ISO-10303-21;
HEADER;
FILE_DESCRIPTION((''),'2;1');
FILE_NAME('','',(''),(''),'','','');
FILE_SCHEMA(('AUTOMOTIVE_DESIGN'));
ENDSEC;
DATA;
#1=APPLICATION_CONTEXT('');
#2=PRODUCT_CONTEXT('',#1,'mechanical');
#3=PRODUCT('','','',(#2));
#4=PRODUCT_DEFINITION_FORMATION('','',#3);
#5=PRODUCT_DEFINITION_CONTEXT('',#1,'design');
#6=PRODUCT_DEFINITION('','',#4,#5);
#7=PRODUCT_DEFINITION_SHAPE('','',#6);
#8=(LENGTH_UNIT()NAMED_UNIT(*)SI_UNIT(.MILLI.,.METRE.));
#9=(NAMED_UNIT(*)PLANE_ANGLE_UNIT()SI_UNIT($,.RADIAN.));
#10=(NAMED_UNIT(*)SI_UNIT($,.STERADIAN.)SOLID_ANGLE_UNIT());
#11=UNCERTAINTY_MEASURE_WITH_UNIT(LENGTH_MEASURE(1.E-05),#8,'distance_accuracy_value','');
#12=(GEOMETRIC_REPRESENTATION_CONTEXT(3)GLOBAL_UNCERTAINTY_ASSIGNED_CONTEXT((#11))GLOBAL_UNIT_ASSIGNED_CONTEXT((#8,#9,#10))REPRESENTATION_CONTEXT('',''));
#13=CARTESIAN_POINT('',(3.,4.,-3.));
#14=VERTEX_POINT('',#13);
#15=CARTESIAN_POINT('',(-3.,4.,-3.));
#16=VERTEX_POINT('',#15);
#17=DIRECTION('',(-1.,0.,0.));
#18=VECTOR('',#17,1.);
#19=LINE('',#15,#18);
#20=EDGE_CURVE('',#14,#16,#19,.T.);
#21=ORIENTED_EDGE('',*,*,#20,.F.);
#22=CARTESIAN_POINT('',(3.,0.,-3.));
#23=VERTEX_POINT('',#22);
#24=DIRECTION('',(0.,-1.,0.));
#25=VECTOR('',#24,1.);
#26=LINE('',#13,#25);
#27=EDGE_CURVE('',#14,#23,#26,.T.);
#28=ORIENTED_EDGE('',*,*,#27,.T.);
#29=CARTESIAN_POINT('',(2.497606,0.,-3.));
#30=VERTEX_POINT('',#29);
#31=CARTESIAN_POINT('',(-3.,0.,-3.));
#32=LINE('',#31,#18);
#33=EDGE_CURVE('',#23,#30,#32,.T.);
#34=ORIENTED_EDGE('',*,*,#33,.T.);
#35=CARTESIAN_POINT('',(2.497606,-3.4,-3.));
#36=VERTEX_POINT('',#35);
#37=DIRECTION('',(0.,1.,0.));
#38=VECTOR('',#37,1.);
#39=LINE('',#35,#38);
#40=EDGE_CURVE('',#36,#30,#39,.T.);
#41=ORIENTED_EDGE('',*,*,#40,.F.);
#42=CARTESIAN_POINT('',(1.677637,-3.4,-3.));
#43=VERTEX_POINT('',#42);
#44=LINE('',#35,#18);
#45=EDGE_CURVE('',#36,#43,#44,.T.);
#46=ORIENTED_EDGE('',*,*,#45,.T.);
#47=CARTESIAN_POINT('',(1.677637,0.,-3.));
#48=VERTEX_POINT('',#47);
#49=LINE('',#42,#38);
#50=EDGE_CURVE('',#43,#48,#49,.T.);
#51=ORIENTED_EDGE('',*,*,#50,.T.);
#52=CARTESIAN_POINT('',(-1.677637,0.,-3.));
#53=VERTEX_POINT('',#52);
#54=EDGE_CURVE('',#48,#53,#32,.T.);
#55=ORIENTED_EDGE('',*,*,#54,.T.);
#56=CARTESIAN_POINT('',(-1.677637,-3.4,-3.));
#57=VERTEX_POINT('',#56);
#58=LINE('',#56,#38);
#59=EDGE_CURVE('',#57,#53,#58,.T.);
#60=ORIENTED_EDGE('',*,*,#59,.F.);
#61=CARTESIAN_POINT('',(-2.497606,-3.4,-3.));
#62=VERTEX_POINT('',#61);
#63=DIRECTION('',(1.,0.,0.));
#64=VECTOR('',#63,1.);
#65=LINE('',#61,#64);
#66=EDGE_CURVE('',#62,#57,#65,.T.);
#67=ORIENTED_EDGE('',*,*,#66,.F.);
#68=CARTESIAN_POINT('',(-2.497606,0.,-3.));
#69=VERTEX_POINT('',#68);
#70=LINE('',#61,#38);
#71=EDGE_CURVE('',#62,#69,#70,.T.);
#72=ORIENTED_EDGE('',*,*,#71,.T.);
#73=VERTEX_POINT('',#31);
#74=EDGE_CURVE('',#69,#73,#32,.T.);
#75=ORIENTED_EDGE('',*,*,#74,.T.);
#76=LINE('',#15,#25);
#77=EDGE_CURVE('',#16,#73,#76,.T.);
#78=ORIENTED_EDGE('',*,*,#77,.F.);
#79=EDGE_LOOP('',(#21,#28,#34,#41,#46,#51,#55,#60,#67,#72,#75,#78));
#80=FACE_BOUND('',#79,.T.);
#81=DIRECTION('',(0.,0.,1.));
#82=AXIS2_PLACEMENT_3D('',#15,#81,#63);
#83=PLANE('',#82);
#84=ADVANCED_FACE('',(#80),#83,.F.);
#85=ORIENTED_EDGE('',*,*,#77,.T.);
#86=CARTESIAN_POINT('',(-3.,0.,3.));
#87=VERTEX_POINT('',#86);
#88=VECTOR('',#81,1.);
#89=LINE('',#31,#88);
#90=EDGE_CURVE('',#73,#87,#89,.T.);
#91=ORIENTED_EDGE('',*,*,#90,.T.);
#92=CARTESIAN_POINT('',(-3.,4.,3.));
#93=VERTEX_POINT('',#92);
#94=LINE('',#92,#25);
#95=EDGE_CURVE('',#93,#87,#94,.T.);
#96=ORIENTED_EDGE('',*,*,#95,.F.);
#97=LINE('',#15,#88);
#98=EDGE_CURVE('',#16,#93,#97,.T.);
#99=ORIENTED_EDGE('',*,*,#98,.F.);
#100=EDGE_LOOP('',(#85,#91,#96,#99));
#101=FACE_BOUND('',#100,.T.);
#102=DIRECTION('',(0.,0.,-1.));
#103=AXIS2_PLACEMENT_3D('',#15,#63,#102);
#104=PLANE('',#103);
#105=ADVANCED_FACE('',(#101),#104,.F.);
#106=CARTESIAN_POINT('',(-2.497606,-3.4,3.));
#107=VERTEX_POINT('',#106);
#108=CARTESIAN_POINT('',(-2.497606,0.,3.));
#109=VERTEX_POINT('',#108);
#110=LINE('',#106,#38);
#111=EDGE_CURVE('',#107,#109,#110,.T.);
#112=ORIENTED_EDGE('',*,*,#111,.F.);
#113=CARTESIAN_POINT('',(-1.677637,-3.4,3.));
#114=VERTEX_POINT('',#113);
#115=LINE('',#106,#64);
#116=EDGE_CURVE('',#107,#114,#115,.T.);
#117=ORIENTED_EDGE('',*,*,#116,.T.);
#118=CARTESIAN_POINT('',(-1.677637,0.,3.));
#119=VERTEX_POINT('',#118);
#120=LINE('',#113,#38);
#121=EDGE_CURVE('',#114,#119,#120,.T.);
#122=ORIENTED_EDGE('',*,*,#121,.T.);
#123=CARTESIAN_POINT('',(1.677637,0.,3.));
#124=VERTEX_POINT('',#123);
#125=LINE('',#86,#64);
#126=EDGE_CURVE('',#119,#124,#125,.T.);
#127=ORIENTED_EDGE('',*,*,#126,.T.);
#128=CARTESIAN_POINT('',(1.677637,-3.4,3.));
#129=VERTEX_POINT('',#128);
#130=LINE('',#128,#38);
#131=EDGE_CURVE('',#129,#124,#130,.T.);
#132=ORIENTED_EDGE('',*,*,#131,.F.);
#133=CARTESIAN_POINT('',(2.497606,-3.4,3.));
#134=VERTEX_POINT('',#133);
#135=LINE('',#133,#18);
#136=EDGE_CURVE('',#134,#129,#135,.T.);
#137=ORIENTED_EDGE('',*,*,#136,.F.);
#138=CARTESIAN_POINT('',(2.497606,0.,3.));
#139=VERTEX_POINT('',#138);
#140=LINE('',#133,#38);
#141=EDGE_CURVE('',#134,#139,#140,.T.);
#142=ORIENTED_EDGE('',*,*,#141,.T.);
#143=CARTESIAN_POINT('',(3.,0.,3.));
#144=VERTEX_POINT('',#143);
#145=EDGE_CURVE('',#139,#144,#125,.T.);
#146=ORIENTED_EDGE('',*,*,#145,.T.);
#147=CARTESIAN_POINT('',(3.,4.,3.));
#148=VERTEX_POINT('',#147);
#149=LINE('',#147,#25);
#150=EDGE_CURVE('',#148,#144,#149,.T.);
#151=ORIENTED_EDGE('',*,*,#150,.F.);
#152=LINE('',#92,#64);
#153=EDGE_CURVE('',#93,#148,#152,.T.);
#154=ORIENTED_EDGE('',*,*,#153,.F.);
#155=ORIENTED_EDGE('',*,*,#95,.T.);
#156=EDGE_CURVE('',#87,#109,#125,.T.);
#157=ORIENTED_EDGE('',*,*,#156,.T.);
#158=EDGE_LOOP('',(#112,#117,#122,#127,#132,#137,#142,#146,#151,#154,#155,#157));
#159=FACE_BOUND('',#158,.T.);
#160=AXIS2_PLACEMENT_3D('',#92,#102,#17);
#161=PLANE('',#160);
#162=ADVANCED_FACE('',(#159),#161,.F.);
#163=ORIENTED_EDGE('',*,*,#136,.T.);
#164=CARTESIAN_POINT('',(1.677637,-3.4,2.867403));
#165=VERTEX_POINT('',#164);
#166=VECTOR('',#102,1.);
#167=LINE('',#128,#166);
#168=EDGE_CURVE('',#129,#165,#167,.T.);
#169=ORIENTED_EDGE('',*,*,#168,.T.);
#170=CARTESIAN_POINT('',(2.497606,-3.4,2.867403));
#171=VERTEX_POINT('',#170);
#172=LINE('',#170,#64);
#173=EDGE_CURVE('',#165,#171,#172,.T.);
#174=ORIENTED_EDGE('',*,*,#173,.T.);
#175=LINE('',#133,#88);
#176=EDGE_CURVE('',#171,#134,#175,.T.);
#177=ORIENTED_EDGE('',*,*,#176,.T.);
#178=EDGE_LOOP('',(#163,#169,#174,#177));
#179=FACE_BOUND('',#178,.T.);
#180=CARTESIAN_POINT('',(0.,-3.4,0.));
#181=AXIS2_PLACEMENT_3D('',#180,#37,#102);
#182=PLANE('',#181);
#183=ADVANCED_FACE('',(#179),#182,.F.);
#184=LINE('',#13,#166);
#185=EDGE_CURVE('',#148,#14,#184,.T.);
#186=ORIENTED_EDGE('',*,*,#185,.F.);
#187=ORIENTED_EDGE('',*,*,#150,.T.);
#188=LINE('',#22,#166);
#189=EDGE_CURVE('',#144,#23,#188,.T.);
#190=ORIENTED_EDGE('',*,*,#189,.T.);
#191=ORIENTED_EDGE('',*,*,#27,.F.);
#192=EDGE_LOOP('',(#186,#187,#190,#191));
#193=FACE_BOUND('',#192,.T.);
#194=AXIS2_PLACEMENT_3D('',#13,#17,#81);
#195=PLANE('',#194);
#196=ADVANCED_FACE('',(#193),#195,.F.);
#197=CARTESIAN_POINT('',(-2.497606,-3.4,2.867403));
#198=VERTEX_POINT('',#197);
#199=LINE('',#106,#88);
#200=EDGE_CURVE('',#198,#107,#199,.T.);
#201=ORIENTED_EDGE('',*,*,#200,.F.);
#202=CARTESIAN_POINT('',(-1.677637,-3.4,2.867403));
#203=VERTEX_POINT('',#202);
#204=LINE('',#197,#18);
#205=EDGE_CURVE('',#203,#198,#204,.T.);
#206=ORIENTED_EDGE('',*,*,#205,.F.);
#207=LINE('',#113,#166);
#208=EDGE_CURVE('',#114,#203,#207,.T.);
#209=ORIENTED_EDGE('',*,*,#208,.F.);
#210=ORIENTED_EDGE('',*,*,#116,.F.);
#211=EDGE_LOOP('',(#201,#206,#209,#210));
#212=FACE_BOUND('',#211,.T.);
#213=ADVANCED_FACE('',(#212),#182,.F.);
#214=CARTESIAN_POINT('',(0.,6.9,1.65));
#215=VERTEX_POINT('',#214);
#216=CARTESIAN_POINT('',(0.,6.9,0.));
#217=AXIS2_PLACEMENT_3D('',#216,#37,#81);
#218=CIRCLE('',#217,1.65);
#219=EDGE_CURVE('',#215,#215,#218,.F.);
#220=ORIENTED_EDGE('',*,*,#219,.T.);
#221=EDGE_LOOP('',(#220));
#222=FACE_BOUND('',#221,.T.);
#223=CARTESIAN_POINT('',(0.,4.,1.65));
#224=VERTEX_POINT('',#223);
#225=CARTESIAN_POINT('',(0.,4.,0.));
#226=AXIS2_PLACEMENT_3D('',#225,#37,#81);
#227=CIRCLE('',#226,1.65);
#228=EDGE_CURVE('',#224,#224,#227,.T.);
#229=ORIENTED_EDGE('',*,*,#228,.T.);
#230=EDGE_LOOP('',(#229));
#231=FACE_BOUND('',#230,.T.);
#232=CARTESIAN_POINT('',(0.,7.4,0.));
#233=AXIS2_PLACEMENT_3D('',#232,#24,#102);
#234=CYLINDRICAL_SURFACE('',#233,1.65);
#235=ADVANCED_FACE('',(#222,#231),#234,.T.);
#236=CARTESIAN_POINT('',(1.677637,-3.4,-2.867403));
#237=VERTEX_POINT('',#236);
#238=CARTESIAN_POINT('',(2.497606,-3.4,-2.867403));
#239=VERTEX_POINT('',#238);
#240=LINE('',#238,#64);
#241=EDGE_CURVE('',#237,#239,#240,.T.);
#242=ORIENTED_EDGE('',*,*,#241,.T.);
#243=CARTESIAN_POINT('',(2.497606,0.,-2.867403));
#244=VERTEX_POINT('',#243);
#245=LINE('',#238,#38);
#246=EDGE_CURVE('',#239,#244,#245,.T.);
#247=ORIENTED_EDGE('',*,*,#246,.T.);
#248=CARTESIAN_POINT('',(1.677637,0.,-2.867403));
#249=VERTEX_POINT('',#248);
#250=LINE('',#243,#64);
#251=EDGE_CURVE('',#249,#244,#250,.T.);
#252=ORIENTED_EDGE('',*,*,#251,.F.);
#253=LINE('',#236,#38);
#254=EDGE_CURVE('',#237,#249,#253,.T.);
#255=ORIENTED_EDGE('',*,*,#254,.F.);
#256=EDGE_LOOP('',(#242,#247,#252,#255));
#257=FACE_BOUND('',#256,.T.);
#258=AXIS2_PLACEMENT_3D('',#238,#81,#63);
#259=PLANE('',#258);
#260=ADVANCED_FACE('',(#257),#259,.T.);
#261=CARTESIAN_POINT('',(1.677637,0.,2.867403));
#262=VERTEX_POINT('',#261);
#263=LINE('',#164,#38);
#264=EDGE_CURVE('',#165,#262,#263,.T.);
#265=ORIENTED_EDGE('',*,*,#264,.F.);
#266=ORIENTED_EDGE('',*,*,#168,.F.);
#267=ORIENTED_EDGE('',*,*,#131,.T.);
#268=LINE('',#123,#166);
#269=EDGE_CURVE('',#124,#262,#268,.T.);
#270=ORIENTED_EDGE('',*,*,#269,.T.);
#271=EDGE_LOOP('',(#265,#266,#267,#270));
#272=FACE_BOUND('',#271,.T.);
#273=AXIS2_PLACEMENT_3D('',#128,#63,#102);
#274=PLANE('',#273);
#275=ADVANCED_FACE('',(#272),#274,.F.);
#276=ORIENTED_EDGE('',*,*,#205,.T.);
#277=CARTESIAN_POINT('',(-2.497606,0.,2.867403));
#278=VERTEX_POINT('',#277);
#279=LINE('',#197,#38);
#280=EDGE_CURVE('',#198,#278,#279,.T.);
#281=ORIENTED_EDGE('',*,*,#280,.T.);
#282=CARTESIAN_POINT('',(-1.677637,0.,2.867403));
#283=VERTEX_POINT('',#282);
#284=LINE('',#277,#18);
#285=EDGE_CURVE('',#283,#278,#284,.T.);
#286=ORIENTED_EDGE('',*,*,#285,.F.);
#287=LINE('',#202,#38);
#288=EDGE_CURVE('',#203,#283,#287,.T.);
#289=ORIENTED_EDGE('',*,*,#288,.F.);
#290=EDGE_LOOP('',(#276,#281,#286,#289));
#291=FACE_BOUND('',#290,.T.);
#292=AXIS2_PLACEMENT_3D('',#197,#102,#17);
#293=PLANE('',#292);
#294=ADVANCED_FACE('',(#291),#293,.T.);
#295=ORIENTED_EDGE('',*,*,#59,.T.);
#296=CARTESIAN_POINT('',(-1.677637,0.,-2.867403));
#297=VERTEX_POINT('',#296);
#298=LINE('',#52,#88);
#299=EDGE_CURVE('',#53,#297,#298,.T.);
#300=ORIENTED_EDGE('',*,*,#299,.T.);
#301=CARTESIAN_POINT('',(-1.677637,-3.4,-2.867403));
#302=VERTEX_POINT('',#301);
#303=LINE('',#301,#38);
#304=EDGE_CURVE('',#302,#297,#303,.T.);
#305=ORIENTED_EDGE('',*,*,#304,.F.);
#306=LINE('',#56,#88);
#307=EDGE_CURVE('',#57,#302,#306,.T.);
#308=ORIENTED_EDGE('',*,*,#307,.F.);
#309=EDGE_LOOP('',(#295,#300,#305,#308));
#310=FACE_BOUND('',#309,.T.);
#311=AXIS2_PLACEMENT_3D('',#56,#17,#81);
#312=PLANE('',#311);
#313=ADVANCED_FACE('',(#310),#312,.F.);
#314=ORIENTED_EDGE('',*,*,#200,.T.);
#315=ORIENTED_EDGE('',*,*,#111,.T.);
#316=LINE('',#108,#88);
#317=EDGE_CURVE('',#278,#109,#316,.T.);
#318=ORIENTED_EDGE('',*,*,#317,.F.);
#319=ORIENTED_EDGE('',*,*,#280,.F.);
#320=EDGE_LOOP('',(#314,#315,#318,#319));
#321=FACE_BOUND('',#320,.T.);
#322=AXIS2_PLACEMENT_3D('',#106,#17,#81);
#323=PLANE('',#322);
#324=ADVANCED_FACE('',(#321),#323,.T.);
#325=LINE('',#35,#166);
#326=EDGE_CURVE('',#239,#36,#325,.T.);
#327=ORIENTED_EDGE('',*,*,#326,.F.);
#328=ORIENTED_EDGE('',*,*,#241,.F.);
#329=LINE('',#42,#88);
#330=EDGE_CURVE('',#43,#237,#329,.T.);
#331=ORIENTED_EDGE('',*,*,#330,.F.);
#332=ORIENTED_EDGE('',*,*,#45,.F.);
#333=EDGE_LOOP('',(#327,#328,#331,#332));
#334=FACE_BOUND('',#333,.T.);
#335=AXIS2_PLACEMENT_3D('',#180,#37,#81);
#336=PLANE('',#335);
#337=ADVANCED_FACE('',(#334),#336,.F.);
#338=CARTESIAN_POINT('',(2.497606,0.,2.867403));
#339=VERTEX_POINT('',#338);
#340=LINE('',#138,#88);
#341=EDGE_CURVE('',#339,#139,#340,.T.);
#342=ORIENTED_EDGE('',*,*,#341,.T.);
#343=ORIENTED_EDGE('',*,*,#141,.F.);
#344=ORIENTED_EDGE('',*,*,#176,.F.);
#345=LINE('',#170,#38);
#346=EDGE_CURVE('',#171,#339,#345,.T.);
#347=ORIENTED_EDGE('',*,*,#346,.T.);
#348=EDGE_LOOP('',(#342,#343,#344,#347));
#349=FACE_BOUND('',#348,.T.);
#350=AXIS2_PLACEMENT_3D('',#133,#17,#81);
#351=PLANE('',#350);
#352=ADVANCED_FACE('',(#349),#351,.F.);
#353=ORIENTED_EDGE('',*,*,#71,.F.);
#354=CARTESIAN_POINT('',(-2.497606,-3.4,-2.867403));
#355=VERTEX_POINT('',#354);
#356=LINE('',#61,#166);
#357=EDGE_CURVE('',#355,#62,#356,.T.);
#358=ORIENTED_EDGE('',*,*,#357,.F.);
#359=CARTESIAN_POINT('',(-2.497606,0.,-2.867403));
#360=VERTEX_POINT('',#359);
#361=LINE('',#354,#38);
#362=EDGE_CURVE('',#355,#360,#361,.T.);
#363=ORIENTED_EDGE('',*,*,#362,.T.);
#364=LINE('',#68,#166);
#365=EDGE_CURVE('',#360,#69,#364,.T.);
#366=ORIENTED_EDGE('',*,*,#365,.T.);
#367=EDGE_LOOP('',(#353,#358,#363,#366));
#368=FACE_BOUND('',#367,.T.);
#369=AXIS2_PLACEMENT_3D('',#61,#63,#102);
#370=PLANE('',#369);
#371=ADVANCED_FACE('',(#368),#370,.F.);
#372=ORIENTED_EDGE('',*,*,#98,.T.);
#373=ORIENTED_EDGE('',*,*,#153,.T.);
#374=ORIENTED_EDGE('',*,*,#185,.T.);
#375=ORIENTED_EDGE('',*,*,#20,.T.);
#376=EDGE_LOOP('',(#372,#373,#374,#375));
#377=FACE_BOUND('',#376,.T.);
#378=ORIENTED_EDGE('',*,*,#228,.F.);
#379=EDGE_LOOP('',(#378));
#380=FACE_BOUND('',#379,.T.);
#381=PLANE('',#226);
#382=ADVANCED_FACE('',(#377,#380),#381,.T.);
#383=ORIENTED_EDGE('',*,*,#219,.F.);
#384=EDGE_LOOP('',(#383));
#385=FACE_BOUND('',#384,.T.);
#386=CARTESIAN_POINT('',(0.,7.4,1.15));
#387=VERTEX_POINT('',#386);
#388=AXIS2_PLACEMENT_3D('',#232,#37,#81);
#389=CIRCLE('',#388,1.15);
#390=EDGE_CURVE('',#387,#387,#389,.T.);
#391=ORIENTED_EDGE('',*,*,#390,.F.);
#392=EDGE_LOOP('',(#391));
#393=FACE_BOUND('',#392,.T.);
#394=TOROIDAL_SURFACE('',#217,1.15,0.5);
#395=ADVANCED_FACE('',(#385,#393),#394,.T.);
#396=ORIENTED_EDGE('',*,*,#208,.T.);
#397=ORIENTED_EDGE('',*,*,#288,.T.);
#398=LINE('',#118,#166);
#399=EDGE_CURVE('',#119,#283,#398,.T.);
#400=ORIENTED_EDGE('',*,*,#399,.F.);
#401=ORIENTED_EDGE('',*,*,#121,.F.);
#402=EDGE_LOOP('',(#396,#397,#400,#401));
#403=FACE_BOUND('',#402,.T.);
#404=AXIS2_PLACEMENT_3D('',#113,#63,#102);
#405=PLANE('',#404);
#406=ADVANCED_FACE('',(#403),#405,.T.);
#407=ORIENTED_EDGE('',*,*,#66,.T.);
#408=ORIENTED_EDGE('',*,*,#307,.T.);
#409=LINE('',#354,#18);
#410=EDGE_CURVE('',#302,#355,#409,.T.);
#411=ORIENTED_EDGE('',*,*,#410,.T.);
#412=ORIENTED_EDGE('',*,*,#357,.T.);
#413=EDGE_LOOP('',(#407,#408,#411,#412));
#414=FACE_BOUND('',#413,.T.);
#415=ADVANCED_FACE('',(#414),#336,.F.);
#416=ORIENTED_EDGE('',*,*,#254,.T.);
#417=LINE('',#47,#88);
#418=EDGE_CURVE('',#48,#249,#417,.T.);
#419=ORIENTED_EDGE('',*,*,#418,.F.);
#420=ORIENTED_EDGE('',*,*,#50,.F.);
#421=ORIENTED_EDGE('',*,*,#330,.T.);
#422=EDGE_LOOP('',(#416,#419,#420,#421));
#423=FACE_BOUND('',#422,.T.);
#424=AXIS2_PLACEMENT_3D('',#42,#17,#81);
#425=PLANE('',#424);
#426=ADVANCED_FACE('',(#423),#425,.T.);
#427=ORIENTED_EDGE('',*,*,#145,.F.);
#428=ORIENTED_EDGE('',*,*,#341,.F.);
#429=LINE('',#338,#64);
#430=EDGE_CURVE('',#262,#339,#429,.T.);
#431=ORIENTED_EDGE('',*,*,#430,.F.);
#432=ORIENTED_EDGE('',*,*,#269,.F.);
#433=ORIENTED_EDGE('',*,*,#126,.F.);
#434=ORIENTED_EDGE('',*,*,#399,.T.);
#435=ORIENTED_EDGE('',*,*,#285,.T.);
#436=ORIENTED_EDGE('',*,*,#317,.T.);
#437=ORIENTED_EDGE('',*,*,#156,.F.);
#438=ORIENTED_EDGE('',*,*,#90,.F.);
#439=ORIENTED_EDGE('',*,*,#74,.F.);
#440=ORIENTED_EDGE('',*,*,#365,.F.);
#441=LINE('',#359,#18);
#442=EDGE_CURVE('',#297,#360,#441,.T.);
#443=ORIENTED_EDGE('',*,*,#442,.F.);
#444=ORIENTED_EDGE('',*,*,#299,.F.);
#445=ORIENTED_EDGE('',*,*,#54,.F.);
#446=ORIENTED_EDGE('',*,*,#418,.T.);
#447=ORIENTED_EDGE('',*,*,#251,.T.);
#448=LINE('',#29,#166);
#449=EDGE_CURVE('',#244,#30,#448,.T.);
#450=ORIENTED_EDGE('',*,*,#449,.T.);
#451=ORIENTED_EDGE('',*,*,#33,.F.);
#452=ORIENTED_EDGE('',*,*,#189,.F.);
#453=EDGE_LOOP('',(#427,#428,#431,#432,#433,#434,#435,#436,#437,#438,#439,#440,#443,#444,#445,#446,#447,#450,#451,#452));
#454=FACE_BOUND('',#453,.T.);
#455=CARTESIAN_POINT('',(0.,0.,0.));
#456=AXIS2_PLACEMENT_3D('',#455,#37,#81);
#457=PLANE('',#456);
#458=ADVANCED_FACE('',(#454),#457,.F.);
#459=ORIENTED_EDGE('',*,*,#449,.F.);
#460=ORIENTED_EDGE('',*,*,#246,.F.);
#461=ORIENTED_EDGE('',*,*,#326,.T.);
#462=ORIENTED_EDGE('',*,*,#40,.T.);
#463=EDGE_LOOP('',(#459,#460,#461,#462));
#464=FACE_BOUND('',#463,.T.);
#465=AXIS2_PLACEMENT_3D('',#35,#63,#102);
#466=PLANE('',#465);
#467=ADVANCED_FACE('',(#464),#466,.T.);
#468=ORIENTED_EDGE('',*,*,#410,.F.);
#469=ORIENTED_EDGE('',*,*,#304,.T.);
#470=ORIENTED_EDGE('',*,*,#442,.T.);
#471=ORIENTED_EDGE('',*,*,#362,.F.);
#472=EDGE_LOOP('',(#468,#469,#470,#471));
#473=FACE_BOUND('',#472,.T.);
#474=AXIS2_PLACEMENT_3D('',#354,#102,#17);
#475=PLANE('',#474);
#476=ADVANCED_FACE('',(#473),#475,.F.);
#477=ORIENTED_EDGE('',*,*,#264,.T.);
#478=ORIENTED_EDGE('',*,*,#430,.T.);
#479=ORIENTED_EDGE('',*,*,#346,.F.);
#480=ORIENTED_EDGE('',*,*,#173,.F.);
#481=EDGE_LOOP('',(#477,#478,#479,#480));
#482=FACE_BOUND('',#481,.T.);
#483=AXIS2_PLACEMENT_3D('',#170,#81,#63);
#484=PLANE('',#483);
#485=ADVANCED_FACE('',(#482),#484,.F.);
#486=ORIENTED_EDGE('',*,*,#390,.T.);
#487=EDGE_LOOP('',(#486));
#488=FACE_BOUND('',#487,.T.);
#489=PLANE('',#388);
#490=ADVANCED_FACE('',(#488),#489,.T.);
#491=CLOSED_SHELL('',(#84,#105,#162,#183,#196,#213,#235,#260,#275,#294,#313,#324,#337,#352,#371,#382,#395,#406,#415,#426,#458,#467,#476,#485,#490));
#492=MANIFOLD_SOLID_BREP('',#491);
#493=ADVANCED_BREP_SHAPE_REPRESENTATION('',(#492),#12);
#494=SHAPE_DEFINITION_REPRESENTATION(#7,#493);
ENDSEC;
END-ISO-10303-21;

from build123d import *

# Parameters (mm, degrees)
ESQUISSE1_W                                = 6
ESQUISSE1_H                                = 6
BOSS_EXTRU_1_DEPTH                         = 4
ESQUISSE2_R                                = 1.65
BOSS_EXTRU_2_DEPTH                         = 3.4
CONG_1_R                                   = 0.5
ESQUISSE3_W                                = 0.819968842
ESQUISSE3_H                                = 0.132597198
BOSS_EXTRU_3_DEPTH                         = 3.4
SYM_TRIE1_AT_THE_SECOND_PLANE_COPY_1_SKE_W = 0.819968842
SYM_TRIE1_AT_THE_SECOND_PLANE_COPY_1_SKE_H = 0.132597198
SYM_TRIE1_AT_THE_SECOND_PLANE_COPY_1_DEPTH = 3.4


with BuildPart() as part:
    # Esquisse1 → Boss.-Extru.1 (new body)
    with BuildSketch(Plane(origin=(0, 0, 0), x_dir=(1, 0, 0), z_dir=(0, 1, 0))):
        Rectangle(ESQUISSE1_W, ESQUISSE1_H)
    extrude(amount=BOSS_EXTRU_1_DEPTH)

    # Esquisse2 → Boss.-Extru.2 (add)
    with BuildSketch(Plane(origin=(0, 4, 0), x_dir=(1, 0, 0), z_dir=(0, 1, 0))):
        Circle(ESQUISSE2_R)
    extrude(amount=BOSS_EXTRU_2_DEPTH)

    # Congé1
    cong_1_edges = [part.edges().sort_by_distance(p)[0] for p in [
        (-1.65, 7.4, 0),
    ]]
    fillet(cong_1_edges, radius=CONG_1_R)

    # Esquisse3 → Boss.-Extru.3 (add)
    with BuildSketch(Plane.XZ):
        with Locations((-2.087621823, -2.933701401)):
            Rectangle(ESQUISSE3_W, ESQUISSE3_H)
    boss_extru_3 = extrude(amount=BOSS_EXTRU_3_DEPTH)

    # Symétrie1: Boss.-Extru.3 across plane
    add(boss_extru_3.mirror(Plane(origin=(0, 0, 0), x_dir=(0, 0, 1), z_dir=(1, 0, 0))))

    # Symétrie1 at the second plane: Boss.-Extru.3 across plane
    add(boss_extru_3.mirror(Plane.XY))

    # Symétrie1 at the second plane copy 1 ske → Symétrie1 at the second plane copy 1 (add)
    with BuildSketch(Plane(origin=(0, 0, 0), x_dir=(-1, 0, 0), z_dir=(0, -1, 0))):
        with Locations((-2.087621823, -2.933701401)):
            Rectangle(SYM_TRIE1_AT_THE_SECOND_PLANE_COPY_1_SKE_W, SYM_TRIE1_AT_THE_SECOND_PLANE_COPY_1_SKE_H)
    extrude(amount=SYM_TRIE1_AT_THE_SECOND_PLANE_COPY_1_DEPTH)


solid = part.part
